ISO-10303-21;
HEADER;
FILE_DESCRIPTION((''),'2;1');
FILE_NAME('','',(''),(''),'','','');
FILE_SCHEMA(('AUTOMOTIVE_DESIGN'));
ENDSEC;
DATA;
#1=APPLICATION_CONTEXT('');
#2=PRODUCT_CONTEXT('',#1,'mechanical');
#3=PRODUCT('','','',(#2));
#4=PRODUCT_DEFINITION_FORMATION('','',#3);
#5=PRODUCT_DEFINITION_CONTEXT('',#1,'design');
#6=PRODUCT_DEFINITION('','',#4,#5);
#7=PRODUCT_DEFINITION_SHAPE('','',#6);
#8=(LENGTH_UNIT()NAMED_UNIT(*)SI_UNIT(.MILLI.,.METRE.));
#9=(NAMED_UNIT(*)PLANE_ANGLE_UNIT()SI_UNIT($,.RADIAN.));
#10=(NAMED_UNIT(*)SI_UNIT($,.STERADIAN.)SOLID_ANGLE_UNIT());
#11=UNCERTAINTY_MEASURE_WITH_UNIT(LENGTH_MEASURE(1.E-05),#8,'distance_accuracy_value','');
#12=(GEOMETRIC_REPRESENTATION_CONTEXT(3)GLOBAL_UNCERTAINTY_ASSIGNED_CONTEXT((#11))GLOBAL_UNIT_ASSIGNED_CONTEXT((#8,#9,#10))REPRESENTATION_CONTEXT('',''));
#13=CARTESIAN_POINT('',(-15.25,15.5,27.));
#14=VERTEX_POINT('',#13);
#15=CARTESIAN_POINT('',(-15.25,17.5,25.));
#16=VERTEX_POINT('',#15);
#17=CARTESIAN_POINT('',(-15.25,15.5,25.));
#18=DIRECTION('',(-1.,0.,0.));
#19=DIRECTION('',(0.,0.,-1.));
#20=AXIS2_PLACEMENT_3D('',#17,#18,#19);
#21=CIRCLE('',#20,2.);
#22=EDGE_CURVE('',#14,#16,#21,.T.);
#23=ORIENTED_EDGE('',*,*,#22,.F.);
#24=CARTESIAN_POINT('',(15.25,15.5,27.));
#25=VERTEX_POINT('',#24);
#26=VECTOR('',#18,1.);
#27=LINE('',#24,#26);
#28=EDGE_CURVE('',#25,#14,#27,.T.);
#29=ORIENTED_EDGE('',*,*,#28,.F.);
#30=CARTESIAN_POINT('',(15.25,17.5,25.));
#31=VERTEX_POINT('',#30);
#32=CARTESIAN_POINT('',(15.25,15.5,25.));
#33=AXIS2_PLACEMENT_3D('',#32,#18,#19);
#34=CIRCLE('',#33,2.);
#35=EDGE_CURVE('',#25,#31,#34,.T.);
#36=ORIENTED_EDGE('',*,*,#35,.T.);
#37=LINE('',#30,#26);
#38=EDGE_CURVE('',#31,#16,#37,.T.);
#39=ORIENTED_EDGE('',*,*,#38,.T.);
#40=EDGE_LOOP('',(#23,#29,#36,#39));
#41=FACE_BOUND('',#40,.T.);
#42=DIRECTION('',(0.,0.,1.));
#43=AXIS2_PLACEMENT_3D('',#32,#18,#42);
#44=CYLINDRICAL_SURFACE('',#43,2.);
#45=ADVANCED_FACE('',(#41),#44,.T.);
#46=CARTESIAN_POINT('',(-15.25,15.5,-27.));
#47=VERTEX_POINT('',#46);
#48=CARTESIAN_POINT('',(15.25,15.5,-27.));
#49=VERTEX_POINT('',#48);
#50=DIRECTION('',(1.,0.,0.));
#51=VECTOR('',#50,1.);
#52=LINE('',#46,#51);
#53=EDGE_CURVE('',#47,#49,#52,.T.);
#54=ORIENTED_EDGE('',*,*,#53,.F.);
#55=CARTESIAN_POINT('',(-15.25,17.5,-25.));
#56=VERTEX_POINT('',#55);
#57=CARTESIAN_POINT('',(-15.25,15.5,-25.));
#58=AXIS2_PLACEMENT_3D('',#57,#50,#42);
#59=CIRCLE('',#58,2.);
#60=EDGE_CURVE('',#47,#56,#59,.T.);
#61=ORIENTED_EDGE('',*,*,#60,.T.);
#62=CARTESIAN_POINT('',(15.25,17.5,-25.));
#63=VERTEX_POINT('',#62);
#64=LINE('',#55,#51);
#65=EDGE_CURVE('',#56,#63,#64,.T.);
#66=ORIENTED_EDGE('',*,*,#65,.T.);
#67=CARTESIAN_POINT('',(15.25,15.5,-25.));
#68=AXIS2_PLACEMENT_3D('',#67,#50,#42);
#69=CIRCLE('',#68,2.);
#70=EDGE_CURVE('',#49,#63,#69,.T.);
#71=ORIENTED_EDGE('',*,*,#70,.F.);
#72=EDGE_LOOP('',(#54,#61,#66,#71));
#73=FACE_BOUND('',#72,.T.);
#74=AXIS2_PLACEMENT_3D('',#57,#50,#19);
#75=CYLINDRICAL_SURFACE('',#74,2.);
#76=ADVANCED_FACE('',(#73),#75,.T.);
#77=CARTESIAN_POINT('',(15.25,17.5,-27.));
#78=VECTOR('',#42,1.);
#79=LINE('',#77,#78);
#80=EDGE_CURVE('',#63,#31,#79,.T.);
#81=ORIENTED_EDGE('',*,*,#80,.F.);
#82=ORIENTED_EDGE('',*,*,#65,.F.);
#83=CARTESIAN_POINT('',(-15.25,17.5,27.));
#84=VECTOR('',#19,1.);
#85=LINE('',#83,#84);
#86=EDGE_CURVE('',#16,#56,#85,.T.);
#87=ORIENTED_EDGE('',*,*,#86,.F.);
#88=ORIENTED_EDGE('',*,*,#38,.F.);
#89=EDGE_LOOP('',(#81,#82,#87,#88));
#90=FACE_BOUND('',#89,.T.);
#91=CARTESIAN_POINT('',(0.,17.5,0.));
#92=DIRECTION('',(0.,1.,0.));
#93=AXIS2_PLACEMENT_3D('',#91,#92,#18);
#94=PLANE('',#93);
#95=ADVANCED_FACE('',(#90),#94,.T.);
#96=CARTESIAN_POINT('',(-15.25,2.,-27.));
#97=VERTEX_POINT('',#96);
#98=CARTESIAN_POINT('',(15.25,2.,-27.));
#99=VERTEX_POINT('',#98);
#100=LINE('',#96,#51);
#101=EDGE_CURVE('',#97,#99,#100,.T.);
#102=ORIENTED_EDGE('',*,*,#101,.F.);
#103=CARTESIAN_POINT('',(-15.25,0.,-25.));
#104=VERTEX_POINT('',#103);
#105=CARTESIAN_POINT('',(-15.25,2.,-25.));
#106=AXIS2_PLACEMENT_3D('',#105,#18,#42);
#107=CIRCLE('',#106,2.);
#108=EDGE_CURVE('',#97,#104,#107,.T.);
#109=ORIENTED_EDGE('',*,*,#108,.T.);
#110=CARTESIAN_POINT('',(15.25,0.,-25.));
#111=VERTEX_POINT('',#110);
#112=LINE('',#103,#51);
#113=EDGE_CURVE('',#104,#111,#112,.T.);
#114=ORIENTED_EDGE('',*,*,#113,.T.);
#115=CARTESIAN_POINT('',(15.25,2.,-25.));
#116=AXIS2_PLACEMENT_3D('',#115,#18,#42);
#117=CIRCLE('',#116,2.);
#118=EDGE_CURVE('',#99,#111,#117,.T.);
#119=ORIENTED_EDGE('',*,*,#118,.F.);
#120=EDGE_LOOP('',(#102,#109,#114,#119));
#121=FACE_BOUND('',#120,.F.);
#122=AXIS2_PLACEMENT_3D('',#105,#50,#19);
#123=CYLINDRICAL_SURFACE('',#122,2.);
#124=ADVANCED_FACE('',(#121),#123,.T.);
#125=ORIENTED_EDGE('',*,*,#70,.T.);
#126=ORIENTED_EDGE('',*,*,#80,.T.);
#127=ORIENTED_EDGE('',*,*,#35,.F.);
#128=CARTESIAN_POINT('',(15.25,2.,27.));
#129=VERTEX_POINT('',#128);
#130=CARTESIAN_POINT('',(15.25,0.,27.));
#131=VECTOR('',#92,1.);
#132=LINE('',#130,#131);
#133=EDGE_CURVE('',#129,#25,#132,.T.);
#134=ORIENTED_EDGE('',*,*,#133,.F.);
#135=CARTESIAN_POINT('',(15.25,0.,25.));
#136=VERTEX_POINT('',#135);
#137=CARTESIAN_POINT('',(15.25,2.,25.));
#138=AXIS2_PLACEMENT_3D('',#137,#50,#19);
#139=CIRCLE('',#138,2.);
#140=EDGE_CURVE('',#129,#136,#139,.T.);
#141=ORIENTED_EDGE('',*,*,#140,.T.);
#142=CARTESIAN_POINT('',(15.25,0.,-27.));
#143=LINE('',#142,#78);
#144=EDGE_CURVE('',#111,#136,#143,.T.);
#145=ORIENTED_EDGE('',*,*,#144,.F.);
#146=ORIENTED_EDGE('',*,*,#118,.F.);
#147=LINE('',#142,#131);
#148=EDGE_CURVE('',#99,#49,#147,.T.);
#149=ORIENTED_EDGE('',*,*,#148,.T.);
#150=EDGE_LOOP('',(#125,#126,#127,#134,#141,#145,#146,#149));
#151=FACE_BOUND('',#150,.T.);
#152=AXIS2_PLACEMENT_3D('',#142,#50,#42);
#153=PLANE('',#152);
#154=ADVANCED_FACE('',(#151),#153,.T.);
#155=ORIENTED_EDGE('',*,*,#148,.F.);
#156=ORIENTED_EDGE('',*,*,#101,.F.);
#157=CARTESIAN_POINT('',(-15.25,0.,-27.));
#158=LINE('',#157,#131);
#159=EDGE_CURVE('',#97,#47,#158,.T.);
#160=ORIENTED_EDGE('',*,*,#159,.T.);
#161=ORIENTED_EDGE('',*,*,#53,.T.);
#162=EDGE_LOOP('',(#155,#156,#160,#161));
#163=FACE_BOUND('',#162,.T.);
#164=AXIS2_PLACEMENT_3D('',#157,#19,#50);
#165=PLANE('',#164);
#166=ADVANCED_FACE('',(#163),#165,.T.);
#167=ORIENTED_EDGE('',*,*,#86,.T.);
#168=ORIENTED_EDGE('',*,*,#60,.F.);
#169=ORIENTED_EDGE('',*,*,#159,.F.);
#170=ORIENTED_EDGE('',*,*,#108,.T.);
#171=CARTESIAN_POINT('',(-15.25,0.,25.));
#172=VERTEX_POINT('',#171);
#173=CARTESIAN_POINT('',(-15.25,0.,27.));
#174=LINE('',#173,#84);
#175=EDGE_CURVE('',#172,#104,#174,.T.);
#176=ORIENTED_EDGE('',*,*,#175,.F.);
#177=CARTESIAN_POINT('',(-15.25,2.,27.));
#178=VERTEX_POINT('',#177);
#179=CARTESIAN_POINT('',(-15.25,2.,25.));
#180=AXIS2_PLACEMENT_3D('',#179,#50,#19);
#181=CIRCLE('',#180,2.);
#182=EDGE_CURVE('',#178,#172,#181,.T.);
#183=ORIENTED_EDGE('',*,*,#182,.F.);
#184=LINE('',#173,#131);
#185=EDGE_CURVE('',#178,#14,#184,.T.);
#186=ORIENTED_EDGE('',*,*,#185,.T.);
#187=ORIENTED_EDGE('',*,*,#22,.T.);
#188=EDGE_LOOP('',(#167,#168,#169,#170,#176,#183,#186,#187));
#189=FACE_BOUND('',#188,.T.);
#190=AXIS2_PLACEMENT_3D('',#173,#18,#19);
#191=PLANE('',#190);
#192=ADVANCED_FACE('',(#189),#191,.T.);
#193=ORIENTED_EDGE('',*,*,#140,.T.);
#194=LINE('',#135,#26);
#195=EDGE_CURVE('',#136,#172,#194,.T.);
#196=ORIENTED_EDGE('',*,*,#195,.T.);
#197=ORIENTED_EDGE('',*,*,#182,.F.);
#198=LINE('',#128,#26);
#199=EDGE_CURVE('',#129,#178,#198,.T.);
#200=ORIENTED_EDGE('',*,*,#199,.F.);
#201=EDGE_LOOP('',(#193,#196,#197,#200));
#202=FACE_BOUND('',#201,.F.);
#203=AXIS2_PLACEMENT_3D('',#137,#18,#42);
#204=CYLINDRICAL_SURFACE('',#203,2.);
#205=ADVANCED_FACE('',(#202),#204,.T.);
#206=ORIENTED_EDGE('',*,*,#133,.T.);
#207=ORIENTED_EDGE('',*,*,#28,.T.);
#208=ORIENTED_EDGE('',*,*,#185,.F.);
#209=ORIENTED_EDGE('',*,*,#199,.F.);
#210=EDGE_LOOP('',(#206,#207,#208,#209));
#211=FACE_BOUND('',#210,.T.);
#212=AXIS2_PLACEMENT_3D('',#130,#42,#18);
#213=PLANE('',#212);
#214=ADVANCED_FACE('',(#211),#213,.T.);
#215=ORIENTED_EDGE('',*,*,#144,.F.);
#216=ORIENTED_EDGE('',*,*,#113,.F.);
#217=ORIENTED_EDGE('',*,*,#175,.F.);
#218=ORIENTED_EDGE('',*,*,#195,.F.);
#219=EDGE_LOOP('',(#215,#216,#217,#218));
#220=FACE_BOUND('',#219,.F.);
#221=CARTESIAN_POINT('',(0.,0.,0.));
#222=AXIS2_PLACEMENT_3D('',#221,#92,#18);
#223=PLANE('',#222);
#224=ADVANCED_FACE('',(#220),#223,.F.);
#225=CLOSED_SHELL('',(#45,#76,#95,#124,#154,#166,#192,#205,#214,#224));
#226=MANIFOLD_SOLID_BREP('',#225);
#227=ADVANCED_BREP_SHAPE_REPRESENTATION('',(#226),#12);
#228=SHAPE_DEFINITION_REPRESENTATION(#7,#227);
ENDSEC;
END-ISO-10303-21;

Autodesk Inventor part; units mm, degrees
ref_plane "YZ Plane" through (0, 0, 0) normal (1, 0, 0) x (0, 1, 0)
ref_plane "XZ Plane" through (0, 0, 0) normal (0, 1, 0) x (-1, 0, 0)
ref_plane "XY Plane" through (0, 0, 0) normal (0, 0, 1) x (1, 0, 0)
sketch "Sketch1" plane through (0, 0, 0) normal (0, 1, 0) x (-1, 0, 0)
  line L0 (-15.25, 27) -> (15.25, 27)
  line L1 (15.25, 27) -> (15.25, -27)
  line L2 (15.25, -27) -> (-15.25, -27)
  line L3 (-15.25, -27) -> (-15.25, 27)
  line L4 (-15.25, 27) -> (15.25, -27) construction
  line L5 (15.25, 27) -> (-15.25, -27) construction
  point P0 (0, 0)
  dimension "d0" = 30.5
  dimension "d1" = 54
extrude "Extrusion1" add sketch "Sketch1" along normal blind 17.5
fillet "Fillet1" radius 2 4 edges at (0, 17.5, -27) (0, 0, -27) (0, 17.5, 27) (0, 0, 27)
properties part number "Battery[54x30_5x17_5]"
